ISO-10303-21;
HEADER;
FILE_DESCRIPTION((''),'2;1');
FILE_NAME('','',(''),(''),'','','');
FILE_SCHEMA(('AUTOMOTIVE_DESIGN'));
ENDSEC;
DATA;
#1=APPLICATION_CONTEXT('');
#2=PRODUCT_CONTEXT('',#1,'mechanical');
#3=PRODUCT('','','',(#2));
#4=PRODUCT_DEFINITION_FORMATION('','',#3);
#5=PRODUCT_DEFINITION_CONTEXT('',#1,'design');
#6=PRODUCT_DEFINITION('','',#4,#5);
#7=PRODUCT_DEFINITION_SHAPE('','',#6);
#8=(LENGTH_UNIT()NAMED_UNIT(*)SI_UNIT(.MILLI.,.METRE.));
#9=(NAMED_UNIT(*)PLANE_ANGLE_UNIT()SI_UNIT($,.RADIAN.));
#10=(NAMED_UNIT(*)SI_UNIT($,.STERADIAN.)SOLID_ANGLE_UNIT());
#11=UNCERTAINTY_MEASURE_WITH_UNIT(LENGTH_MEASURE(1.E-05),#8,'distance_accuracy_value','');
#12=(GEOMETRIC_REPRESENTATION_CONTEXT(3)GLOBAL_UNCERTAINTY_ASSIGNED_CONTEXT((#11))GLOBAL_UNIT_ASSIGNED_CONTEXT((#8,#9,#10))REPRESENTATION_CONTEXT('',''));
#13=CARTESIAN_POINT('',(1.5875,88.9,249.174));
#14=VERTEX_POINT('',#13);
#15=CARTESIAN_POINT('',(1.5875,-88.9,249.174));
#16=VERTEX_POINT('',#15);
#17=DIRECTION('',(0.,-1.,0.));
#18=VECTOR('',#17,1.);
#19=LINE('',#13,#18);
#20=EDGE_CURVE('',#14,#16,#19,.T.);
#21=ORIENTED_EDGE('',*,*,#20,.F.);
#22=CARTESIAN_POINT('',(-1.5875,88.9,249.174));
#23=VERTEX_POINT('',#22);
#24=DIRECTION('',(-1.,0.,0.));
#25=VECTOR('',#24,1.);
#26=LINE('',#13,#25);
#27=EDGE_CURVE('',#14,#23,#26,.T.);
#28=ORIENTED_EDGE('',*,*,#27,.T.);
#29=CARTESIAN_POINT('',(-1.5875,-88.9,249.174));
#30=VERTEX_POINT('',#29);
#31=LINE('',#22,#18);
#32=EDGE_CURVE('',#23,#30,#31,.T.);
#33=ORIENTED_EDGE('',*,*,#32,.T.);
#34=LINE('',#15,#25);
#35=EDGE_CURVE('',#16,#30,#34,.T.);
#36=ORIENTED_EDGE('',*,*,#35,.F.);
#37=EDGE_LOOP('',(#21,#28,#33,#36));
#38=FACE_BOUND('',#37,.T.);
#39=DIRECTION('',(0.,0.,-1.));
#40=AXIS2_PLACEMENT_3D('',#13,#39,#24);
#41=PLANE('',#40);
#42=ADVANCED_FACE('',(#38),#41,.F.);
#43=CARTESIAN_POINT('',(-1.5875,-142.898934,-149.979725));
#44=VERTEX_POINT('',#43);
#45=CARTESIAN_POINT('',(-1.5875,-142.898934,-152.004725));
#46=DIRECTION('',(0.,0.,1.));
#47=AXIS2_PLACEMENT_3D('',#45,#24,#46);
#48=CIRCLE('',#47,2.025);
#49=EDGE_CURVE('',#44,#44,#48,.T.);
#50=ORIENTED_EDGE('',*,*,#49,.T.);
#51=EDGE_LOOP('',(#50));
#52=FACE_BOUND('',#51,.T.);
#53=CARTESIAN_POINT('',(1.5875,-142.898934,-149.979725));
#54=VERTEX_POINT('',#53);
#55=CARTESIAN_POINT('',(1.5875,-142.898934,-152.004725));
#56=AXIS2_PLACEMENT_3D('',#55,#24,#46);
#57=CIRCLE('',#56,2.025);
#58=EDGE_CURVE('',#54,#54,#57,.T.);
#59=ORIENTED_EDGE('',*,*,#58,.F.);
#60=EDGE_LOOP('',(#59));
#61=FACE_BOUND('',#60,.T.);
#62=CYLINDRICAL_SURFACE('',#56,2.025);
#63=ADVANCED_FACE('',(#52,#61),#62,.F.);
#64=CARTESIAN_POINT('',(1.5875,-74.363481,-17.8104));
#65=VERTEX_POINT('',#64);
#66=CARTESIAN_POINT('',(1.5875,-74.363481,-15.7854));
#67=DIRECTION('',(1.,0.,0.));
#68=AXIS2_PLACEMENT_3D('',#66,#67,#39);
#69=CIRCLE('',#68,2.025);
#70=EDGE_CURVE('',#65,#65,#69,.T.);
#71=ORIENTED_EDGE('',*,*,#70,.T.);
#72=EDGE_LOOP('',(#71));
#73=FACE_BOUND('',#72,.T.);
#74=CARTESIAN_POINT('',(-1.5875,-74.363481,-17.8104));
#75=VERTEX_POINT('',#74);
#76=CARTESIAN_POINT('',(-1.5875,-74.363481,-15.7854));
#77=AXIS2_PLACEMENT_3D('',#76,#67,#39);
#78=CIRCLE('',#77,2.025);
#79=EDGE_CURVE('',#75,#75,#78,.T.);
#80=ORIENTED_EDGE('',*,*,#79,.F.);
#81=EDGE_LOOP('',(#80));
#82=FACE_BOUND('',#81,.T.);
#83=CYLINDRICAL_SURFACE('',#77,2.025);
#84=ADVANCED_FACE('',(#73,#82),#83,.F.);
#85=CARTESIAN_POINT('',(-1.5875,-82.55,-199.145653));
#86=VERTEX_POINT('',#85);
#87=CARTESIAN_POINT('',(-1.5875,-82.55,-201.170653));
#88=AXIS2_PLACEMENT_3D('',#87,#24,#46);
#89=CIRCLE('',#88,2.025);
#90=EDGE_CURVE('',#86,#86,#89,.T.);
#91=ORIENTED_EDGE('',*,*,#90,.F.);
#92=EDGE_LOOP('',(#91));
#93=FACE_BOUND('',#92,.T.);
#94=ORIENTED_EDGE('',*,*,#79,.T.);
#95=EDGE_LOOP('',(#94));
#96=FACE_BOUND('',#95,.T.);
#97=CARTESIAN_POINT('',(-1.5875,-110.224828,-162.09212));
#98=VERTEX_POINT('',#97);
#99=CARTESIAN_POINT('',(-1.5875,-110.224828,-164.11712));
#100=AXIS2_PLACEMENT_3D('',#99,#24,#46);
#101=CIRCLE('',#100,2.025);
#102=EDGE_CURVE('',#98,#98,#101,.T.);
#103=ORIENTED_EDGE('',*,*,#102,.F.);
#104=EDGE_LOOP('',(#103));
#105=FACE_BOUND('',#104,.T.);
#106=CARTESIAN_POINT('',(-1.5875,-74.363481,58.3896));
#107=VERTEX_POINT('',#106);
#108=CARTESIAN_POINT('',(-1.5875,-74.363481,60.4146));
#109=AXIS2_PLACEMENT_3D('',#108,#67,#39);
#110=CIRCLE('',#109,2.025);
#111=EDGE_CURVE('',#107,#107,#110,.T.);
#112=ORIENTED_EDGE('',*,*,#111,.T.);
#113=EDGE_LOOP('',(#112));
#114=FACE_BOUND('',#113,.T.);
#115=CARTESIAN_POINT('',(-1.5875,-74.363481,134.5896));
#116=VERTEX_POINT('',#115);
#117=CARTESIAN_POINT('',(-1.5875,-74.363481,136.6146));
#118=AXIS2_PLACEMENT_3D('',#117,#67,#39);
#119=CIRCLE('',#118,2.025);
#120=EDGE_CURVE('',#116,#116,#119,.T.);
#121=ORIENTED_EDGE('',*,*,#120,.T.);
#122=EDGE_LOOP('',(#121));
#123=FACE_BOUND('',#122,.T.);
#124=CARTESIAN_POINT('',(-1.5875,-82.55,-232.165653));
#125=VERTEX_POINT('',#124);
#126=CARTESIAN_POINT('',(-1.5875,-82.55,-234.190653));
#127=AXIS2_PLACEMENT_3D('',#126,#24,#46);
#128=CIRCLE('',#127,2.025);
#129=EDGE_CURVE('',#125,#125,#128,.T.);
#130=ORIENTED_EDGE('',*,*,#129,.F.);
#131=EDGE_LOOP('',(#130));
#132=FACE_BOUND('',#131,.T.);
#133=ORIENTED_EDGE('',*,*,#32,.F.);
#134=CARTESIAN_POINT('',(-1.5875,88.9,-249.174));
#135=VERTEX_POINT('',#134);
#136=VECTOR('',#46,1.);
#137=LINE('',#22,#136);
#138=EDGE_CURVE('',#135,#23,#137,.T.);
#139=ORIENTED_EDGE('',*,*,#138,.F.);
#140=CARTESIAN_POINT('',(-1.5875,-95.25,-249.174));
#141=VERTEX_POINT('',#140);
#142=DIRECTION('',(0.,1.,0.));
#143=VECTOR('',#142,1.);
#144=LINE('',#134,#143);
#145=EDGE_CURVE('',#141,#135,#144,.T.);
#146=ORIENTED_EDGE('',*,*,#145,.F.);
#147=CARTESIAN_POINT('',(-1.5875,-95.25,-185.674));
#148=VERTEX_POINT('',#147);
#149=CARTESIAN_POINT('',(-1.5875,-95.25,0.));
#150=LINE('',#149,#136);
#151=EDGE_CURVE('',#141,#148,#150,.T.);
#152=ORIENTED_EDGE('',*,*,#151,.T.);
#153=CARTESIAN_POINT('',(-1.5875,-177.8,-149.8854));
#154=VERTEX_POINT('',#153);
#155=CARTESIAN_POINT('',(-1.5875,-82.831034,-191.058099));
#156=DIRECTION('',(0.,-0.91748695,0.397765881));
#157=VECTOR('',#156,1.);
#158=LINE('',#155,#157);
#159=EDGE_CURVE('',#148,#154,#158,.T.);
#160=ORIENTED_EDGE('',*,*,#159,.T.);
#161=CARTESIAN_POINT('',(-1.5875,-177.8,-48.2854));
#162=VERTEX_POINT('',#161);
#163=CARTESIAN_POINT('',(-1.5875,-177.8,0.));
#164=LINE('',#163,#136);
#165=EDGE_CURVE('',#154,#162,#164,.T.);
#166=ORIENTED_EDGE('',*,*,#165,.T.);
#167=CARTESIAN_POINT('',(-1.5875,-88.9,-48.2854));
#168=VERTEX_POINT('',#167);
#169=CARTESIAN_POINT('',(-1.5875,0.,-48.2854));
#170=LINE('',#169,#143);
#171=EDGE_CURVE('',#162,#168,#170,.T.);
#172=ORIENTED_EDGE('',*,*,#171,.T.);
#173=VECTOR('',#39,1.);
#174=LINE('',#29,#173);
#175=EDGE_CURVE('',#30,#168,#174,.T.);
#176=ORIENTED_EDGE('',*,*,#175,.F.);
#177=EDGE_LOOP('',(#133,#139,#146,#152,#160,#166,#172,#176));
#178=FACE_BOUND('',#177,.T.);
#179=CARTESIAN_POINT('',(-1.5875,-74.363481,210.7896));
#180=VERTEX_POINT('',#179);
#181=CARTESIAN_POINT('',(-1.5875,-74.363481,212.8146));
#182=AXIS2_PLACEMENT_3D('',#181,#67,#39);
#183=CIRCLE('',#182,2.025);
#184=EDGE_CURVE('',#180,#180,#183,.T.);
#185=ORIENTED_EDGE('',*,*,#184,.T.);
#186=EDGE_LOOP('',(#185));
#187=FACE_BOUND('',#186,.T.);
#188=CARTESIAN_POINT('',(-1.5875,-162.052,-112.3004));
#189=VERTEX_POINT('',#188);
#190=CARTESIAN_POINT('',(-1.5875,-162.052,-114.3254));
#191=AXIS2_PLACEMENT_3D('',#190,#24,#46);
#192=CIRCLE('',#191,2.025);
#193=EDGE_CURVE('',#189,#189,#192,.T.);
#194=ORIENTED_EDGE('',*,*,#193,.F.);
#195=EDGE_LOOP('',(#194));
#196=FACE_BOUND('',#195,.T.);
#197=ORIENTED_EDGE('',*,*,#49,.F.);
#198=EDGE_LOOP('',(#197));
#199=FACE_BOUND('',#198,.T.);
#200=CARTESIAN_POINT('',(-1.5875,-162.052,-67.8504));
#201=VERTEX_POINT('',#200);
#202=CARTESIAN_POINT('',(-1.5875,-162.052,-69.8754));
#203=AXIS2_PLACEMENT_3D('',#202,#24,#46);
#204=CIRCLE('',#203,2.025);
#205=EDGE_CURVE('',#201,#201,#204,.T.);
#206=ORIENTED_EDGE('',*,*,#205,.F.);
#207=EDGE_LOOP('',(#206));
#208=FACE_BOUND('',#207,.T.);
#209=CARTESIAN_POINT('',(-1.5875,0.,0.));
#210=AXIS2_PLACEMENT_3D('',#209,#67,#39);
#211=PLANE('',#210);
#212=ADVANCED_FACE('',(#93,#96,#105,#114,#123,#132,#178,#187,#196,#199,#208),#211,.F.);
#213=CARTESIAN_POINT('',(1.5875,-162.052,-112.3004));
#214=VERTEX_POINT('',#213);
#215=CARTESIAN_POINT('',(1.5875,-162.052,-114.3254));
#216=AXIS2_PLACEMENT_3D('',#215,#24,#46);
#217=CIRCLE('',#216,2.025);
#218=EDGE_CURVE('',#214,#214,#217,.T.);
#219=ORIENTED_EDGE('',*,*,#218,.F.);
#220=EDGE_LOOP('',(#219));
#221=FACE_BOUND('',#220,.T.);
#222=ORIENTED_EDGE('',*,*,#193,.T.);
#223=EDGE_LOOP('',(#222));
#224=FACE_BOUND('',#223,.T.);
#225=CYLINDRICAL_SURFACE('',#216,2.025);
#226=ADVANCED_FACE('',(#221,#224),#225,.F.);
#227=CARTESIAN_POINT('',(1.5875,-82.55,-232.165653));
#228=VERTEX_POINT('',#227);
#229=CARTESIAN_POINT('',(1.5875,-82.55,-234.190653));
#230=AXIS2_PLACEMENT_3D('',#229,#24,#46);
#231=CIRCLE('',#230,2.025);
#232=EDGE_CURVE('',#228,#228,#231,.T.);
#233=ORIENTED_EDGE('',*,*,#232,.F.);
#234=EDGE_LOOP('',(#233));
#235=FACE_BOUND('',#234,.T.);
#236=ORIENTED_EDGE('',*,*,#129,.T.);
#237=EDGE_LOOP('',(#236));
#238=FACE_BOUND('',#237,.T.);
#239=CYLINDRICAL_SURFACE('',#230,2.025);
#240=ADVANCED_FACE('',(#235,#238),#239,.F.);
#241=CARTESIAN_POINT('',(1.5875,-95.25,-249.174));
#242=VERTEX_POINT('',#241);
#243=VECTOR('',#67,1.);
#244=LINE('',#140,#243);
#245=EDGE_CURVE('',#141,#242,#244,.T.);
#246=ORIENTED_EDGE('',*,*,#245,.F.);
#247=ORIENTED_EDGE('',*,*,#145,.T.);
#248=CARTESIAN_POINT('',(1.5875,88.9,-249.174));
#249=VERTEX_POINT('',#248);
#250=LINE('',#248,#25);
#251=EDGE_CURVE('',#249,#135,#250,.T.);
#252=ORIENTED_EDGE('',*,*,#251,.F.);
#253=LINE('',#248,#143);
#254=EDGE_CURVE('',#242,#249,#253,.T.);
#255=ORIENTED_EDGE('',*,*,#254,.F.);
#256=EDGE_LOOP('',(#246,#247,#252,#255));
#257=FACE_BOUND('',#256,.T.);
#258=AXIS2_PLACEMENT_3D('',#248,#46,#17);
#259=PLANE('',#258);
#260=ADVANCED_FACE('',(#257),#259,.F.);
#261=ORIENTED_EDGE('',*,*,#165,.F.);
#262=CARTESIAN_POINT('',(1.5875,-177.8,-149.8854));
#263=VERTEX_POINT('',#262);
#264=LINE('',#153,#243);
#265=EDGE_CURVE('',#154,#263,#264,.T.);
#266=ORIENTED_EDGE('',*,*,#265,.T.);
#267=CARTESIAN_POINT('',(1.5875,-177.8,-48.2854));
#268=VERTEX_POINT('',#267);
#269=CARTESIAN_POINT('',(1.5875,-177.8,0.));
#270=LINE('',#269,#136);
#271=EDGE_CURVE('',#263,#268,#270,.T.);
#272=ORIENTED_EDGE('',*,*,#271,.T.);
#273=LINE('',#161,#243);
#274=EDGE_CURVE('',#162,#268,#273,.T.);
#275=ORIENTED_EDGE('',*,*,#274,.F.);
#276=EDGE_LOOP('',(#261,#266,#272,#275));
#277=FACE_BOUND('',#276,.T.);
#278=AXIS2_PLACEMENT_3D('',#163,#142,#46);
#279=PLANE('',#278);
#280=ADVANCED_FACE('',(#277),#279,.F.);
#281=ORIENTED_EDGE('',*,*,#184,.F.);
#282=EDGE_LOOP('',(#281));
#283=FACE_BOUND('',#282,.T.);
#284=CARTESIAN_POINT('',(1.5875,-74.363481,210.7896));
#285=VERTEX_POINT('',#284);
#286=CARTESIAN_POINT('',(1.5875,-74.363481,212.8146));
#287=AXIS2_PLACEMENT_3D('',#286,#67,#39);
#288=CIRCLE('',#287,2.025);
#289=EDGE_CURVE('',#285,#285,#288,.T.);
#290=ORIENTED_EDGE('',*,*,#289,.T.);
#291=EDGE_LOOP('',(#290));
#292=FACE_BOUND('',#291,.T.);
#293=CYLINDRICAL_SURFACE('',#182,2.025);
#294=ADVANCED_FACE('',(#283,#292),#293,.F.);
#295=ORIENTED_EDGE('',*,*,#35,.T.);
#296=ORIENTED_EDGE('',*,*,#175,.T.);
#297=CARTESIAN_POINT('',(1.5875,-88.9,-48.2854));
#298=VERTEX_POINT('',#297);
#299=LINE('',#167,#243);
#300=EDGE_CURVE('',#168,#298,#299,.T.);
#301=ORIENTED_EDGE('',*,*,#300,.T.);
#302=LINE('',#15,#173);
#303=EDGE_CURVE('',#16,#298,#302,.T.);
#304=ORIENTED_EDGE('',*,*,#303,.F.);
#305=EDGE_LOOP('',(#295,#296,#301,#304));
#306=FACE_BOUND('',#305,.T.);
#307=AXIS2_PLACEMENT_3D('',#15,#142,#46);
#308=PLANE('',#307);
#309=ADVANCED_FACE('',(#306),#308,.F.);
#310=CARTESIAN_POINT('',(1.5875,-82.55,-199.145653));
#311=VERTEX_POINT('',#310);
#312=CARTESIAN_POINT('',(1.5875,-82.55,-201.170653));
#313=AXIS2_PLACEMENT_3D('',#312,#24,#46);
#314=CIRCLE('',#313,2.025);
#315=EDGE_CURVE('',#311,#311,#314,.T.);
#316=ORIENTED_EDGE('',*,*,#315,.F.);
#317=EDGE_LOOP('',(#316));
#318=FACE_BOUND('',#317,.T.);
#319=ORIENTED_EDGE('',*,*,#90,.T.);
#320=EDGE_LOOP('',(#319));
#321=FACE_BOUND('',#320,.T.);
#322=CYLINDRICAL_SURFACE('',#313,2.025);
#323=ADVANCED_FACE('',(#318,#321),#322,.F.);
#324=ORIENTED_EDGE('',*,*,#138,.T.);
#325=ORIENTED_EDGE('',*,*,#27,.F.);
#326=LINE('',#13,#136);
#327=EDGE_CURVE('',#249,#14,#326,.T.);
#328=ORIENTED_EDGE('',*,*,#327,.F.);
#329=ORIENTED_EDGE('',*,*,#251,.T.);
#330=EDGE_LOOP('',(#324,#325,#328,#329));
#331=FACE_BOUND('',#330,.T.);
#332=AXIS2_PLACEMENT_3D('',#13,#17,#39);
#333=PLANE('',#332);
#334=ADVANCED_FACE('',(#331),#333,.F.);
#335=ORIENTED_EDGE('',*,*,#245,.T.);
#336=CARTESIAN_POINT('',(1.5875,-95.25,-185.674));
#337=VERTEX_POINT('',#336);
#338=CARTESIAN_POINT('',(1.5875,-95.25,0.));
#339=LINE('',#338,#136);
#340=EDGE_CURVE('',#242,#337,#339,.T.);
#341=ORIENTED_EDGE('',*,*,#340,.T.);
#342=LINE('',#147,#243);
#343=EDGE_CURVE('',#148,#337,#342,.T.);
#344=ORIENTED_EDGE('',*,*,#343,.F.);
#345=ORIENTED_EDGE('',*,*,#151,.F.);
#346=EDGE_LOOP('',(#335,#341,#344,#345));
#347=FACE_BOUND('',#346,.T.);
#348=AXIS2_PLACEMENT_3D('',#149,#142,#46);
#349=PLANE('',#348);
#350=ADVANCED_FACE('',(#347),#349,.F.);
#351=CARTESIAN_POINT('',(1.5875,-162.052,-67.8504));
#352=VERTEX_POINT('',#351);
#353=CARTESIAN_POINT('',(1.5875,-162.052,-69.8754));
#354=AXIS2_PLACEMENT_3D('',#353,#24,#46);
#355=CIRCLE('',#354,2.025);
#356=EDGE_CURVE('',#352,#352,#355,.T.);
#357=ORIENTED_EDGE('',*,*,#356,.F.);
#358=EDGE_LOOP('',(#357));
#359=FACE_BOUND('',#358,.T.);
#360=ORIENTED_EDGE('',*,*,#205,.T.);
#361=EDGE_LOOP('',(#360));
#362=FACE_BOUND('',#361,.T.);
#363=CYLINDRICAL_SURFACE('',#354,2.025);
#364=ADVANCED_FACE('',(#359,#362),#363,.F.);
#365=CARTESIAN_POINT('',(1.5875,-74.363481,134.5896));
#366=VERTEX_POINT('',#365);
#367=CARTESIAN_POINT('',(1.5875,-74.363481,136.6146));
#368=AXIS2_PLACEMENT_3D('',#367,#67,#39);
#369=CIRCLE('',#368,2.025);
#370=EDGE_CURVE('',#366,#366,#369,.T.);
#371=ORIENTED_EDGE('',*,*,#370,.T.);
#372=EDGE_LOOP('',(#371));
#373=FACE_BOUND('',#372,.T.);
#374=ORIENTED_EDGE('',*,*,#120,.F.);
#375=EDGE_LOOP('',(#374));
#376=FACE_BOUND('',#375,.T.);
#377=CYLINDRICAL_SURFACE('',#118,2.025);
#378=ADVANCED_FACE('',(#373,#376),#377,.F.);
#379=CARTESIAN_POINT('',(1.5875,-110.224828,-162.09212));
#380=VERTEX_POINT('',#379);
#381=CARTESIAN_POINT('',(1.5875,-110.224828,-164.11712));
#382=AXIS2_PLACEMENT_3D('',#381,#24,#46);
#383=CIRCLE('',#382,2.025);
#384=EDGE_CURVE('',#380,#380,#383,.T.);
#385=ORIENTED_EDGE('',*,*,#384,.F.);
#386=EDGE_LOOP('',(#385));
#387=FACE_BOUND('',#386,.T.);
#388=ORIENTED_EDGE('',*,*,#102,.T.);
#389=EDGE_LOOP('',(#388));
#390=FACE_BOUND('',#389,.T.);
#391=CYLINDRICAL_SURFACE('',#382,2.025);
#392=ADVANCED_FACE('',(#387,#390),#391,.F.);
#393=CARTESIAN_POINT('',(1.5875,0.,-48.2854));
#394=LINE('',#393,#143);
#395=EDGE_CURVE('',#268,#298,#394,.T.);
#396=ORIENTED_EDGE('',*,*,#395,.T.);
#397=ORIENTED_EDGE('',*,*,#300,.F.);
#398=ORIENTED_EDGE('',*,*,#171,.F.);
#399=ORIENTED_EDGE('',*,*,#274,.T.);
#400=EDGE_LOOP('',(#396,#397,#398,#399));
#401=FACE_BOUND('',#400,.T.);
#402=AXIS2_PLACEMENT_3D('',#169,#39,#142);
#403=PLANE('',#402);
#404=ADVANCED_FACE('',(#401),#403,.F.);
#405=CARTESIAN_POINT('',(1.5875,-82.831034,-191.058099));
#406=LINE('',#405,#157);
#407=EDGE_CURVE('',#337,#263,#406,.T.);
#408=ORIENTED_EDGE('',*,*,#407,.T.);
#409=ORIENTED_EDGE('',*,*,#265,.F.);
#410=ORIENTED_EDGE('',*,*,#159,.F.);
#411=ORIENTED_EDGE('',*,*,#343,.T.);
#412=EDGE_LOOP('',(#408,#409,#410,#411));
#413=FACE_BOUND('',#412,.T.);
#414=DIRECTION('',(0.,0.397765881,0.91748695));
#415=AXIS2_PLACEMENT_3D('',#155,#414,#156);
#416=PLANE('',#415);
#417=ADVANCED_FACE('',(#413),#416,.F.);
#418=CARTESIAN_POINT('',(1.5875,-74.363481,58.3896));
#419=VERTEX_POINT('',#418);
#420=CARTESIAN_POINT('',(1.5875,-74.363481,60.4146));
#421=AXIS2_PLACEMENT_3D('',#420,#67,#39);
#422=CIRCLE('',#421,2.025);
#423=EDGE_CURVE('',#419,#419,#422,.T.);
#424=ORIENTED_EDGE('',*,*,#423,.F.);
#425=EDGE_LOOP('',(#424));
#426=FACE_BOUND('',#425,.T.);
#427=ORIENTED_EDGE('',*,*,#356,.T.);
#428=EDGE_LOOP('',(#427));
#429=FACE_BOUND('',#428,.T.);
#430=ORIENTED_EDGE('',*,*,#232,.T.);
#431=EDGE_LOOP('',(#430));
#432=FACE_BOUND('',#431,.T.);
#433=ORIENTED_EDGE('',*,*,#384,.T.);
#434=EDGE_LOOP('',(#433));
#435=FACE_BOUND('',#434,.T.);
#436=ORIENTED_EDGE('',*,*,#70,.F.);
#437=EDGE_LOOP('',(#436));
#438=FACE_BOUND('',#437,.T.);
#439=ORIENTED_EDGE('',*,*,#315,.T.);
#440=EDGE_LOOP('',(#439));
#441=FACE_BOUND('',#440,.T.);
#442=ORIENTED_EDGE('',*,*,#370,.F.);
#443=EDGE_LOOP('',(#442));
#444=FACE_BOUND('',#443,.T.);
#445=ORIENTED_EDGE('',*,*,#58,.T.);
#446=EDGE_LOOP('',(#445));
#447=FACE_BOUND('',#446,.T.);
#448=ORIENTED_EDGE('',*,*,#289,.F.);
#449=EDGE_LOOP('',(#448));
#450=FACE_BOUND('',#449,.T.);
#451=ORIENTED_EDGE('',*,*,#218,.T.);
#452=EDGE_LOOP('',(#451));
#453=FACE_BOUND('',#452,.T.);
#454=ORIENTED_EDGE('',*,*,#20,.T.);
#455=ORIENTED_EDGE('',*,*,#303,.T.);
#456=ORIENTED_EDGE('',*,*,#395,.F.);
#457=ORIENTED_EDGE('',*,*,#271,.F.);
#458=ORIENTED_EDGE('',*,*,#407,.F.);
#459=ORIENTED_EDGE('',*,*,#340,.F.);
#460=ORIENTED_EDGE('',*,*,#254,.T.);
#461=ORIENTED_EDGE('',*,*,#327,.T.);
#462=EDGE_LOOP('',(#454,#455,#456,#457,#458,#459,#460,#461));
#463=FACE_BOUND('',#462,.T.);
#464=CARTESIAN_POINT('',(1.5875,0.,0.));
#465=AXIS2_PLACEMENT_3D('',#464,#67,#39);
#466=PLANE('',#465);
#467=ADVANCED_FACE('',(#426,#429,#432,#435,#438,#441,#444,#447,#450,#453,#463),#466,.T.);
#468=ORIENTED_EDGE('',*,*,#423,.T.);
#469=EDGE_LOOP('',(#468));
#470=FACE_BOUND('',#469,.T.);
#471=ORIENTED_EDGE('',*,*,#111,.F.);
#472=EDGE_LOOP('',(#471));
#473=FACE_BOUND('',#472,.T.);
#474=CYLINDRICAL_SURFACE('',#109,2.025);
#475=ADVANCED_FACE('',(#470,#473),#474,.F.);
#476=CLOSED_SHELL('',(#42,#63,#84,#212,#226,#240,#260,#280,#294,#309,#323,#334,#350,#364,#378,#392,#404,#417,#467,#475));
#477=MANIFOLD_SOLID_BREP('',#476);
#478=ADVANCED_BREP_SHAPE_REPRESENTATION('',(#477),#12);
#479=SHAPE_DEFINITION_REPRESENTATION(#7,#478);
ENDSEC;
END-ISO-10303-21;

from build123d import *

# Parameters (mm, degrees)
SKETCH1_W           = 498.348
SKETCH1_H           = 177.8
BOSS_EXTRUDE1_DEPTH = 1.5875
BOSS_EXTRUDE2_DEPTH = 3.175
SKETCH3_R           = 2.025
CUT_EXTRUDE1_DEPTH  = 307.121875894
LPATTERN1_COUNT     = 4
LPATTERN1_PITCH     = 76.2
CUT_EXTRUDE2_DEPTH  = 307.121875894
LPATTERN2_COUNT     = 2
LPATTERN2_PITCH     = 44.45
SKETCH5_R           = 2.025
CUT_EXTRUDE3_DEPTH  = 307.121875894
SKETCH8_R           = 2.025
CUT_EXTRUDE5_DEPTH  = 307.121875894
SKETCH9_R           = 2.025
CUT_EXTRUDE6_DEPTH  = 307.121875894
LPATTERN4_COUNT     = 2
LPATTERN4_PITCH     = 33.02


with BuildPart() as part:
    # Sketch1 → Boss-Extrude1 (new, symmetric)
    with BuildSketch(Plane(origin=(0, 0, 0), x_dir=(0, 0, -1), z_dir=(1, 0, 0))):
        Rectangle(SKETCH1_W, SKETCH1_H)
    extrude(amount=BOSS_EXTRUDE1_DEPTH, both=True)

    # Sketch2 → Boss-Extrude2 (add)
    with BuildSketch(Plane(origin=(1.5875, 0, 0), x_dir=(0, 0, -1), z_dir=(1, 0, 0))):
        Polygon((249.174, -95.25), (249.174, -88.9), (48.2854, -88.9), (48.2854, -177.8), (149.8854, -177.8), (185.674, -95.25), align=None)
    extrude(amount=-BOSS_EXTRUDE2_DEPTH)

    # Sketch3 → Cut-Extrude1 (cut, through all)
    with BuildSketch(Plane(origin=(1.5875, 0, 0), x_dir=(0, 0, -1), z_dir=(1, 0, 0))):
        with Locations((15.7854, -74.363480824)):
            Circle(SKETCH3_R)
    cut_extrude1 = extrude(amount=-CUT_EXTRUDE1_DEPTH, mode=Mode.SUBTRACT)

    # LPattern1: Cut-Extrude1 ×4
    with Locations(*[(0, 0, i * LPATTERN1_PITCH) for i in range(1, LPATTERN1_COUNT)]):
        add(cut_extrude1, mode=Mode.SUBTRACT)

    # Sketch4 → Cut-Extrude2 (cut, through all)
    with BuildSketch(Plane.ZY.offset(1.5875)):
        with BuildLine():
            ThreePointArc((-67.8504, -162.052), (-71.307291232, -160.620108768), (-69.8754, -164.077))
            Line((-69.8754, -164.077), (-69.8754, -162.052))
            Line((-69.8754, -162.052), (-67.8504, -162.052))
        make_face()
        with BuildLine():
            Line((-69.8754, -162.052), (-69.8754, -164.077))
            ThreePointArc((-69.8754, -164.077), (-68.443508768, -163.483891232), (-67.8504, -162.052))
            Line((-67.8504, -162.052), (-69.8754, -162.052))
        make_face()
    cut_extrude2 = extrude(amount=-CUT_EXTRUDE2_DEPTH, mode=Mode.SUBTRACT)

    # LPattern2: Cut-Extrude2 ×2
    with Locations(*[(0, 0, -i * LPATTERN2_PITCH) for i in range(1, LPATTERN2_COUNT)]):
        add(cut_extrude2, mode=Mode.SUBTRACT)

    # Sketch5 → Cut-Extrude3 (cut, through all)
    with BuildSketch(Plane.ZY.offset(1.5875)):
        with Locations((-152.00472504, -142.898934489)):
            Circle(SKETCH5_R)
    extrude(amount=-CUT_EXTRUDE3_DEPTH, mode=Mode.SUBTRACT)

    # Sketch8 → Cut-Extrude5 (cut, through all)
    with BuildSketch(Plane.ZY.offset(1.5875)):
        with Locations((-164.117120252, -110.224827622)):
            Circle(SKETCH8_R)
    extrude(amount=-CUT_EXTRUDE5_DEPTH, mode=Mode.SUBTRACT)

    # Sketch9 → Cut-Extrude6 (cut, through all)
    with BuildSketch(Plane.ZY.offset(1.5875)):
        with Locations((-201.170653386, -82.55)):
            Circle(SKETCH9_R)
    cut_extrude6 = extrude(amount=-CUT_EXTRUDE6_DEPTH, mode=Mode.SUBTRACT)

    # LPattern4: Cut-Extrude6 ×2
    with Locations(*[(0, 0, -i * LPATTERN4_PITCH) for i in range(1, LPATTERN4_COUNT)]):
        add(cut_extrude6, mode=Mode.SUBTRACT)


solid = part.part
